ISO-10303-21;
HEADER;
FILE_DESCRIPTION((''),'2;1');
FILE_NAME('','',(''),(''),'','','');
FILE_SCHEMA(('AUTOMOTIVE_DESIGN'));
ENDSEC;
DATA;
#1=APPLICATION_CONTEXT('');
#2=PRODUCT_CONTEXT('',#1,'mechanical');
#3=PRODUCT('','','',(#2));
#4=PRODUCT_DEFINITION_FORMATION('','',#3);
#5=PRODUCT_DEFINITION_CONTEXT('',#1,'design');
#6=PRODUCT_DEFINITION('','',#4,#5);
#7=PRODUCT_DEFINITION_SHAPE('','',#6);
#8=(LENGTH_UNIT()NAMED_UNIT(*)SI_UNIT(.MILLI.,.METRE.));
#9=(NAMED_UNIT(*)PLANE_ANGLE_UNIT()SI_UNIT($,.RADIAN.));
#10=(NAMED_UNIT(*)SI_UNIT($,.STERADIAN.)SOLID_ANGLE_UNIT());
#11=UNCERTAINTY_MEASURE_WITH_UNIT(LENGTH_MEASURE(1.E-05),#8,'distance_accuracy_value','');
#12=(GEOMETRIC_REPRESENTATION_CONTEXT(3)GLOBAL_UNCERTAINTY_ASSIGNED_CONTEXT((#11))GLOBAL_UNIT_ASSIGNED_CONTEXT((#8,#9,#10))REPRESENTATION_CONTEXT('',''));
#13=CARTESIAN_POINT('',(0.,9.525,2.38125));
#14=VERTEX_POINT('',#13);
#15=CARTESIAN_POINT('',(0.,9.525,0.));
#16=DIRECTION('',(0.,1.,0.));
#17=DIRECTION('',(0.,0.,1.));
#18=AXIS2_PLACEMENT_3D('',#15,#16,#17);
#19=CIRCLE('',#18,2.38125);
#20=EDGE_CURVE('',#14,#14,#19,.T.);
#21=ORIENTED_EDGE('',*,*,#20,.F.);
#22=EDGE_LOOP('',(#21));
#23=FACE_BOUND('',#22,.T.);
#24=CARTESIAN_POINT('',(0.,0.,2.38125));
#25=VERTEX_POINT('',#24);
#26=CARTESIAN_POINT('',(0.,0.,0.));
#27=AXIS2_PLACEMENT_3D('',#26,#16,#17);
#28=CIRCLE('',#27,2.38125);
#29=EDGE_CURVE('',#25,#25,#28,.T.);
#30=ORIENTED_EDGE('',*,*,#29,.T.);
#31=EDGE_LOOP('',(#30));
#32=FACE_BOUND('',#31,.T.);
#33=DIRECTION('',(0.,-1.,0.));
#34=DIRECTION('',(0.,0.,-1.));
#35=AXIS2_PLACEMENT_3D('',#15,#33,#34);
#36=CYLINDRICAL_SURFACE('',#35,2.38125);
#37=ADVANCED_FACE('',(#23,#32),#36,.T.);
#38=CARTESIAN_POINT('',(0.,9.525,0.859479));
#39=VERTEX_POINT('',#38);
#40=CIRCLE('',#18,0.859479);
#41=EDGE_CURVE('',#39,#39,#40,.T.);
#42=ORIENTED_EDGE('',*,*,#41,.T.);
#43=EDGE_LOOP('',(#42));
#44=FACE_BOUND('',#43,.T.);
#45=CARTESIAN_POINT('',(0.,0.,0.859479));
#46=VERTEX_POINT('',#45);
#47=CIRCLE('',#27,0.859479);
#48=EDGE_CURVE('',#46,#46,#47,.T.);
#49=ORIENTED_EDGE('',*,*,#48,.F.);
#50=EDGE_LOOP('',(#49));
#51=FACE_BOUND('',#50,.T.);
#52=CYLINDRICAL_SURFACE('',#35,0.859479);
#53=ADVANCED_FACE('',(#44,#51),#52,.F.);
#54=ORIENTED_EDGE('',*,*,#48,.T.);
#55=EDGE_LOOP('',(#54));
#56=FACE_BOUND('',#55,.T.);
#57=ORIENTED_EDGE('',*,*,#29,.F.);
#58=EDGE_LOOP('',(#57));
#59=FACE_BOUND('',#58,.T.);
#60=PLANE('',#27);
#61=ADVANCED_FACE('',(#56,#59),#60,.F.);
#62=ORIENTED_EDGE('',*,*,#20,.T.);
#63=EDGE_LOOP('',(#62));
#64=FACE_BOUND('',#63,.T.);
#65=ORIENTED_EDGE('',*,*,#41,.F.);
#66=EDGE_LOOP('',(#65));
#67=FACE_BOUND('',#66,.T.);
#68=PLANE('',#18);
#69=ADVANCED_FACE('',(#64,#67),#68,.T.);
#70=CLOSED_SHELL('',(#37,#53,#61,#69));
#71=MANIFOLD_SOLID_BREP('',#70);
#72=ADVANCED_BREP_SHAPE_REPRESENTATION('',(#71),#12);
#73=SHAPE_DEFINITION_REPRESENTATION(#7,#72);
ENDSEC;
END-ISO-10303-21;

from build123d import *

# Parameters (mm, degrees)
SKETCH1_R           = 2.38125
SKETCH1_R_2         = 0.859478874
BOSS_EXTRUDE1_DEPTH = 9.525


with BuildPart() as part:
    # Sketch1 → Boss-Extrude1 (new body)
    with BuildSketch(Plane(origin=(0, 0, 0), x_dir=(1, 0, 0), z_dir=(0, 1, 0))):
        Circle(SKETCH1_R)
        Circle(SKETCH1_R_2, mode=Mode.SUBTRACT)
    extrude(amount=BOSS_EXTRUDE1_DEPTH)


solid = part.part
